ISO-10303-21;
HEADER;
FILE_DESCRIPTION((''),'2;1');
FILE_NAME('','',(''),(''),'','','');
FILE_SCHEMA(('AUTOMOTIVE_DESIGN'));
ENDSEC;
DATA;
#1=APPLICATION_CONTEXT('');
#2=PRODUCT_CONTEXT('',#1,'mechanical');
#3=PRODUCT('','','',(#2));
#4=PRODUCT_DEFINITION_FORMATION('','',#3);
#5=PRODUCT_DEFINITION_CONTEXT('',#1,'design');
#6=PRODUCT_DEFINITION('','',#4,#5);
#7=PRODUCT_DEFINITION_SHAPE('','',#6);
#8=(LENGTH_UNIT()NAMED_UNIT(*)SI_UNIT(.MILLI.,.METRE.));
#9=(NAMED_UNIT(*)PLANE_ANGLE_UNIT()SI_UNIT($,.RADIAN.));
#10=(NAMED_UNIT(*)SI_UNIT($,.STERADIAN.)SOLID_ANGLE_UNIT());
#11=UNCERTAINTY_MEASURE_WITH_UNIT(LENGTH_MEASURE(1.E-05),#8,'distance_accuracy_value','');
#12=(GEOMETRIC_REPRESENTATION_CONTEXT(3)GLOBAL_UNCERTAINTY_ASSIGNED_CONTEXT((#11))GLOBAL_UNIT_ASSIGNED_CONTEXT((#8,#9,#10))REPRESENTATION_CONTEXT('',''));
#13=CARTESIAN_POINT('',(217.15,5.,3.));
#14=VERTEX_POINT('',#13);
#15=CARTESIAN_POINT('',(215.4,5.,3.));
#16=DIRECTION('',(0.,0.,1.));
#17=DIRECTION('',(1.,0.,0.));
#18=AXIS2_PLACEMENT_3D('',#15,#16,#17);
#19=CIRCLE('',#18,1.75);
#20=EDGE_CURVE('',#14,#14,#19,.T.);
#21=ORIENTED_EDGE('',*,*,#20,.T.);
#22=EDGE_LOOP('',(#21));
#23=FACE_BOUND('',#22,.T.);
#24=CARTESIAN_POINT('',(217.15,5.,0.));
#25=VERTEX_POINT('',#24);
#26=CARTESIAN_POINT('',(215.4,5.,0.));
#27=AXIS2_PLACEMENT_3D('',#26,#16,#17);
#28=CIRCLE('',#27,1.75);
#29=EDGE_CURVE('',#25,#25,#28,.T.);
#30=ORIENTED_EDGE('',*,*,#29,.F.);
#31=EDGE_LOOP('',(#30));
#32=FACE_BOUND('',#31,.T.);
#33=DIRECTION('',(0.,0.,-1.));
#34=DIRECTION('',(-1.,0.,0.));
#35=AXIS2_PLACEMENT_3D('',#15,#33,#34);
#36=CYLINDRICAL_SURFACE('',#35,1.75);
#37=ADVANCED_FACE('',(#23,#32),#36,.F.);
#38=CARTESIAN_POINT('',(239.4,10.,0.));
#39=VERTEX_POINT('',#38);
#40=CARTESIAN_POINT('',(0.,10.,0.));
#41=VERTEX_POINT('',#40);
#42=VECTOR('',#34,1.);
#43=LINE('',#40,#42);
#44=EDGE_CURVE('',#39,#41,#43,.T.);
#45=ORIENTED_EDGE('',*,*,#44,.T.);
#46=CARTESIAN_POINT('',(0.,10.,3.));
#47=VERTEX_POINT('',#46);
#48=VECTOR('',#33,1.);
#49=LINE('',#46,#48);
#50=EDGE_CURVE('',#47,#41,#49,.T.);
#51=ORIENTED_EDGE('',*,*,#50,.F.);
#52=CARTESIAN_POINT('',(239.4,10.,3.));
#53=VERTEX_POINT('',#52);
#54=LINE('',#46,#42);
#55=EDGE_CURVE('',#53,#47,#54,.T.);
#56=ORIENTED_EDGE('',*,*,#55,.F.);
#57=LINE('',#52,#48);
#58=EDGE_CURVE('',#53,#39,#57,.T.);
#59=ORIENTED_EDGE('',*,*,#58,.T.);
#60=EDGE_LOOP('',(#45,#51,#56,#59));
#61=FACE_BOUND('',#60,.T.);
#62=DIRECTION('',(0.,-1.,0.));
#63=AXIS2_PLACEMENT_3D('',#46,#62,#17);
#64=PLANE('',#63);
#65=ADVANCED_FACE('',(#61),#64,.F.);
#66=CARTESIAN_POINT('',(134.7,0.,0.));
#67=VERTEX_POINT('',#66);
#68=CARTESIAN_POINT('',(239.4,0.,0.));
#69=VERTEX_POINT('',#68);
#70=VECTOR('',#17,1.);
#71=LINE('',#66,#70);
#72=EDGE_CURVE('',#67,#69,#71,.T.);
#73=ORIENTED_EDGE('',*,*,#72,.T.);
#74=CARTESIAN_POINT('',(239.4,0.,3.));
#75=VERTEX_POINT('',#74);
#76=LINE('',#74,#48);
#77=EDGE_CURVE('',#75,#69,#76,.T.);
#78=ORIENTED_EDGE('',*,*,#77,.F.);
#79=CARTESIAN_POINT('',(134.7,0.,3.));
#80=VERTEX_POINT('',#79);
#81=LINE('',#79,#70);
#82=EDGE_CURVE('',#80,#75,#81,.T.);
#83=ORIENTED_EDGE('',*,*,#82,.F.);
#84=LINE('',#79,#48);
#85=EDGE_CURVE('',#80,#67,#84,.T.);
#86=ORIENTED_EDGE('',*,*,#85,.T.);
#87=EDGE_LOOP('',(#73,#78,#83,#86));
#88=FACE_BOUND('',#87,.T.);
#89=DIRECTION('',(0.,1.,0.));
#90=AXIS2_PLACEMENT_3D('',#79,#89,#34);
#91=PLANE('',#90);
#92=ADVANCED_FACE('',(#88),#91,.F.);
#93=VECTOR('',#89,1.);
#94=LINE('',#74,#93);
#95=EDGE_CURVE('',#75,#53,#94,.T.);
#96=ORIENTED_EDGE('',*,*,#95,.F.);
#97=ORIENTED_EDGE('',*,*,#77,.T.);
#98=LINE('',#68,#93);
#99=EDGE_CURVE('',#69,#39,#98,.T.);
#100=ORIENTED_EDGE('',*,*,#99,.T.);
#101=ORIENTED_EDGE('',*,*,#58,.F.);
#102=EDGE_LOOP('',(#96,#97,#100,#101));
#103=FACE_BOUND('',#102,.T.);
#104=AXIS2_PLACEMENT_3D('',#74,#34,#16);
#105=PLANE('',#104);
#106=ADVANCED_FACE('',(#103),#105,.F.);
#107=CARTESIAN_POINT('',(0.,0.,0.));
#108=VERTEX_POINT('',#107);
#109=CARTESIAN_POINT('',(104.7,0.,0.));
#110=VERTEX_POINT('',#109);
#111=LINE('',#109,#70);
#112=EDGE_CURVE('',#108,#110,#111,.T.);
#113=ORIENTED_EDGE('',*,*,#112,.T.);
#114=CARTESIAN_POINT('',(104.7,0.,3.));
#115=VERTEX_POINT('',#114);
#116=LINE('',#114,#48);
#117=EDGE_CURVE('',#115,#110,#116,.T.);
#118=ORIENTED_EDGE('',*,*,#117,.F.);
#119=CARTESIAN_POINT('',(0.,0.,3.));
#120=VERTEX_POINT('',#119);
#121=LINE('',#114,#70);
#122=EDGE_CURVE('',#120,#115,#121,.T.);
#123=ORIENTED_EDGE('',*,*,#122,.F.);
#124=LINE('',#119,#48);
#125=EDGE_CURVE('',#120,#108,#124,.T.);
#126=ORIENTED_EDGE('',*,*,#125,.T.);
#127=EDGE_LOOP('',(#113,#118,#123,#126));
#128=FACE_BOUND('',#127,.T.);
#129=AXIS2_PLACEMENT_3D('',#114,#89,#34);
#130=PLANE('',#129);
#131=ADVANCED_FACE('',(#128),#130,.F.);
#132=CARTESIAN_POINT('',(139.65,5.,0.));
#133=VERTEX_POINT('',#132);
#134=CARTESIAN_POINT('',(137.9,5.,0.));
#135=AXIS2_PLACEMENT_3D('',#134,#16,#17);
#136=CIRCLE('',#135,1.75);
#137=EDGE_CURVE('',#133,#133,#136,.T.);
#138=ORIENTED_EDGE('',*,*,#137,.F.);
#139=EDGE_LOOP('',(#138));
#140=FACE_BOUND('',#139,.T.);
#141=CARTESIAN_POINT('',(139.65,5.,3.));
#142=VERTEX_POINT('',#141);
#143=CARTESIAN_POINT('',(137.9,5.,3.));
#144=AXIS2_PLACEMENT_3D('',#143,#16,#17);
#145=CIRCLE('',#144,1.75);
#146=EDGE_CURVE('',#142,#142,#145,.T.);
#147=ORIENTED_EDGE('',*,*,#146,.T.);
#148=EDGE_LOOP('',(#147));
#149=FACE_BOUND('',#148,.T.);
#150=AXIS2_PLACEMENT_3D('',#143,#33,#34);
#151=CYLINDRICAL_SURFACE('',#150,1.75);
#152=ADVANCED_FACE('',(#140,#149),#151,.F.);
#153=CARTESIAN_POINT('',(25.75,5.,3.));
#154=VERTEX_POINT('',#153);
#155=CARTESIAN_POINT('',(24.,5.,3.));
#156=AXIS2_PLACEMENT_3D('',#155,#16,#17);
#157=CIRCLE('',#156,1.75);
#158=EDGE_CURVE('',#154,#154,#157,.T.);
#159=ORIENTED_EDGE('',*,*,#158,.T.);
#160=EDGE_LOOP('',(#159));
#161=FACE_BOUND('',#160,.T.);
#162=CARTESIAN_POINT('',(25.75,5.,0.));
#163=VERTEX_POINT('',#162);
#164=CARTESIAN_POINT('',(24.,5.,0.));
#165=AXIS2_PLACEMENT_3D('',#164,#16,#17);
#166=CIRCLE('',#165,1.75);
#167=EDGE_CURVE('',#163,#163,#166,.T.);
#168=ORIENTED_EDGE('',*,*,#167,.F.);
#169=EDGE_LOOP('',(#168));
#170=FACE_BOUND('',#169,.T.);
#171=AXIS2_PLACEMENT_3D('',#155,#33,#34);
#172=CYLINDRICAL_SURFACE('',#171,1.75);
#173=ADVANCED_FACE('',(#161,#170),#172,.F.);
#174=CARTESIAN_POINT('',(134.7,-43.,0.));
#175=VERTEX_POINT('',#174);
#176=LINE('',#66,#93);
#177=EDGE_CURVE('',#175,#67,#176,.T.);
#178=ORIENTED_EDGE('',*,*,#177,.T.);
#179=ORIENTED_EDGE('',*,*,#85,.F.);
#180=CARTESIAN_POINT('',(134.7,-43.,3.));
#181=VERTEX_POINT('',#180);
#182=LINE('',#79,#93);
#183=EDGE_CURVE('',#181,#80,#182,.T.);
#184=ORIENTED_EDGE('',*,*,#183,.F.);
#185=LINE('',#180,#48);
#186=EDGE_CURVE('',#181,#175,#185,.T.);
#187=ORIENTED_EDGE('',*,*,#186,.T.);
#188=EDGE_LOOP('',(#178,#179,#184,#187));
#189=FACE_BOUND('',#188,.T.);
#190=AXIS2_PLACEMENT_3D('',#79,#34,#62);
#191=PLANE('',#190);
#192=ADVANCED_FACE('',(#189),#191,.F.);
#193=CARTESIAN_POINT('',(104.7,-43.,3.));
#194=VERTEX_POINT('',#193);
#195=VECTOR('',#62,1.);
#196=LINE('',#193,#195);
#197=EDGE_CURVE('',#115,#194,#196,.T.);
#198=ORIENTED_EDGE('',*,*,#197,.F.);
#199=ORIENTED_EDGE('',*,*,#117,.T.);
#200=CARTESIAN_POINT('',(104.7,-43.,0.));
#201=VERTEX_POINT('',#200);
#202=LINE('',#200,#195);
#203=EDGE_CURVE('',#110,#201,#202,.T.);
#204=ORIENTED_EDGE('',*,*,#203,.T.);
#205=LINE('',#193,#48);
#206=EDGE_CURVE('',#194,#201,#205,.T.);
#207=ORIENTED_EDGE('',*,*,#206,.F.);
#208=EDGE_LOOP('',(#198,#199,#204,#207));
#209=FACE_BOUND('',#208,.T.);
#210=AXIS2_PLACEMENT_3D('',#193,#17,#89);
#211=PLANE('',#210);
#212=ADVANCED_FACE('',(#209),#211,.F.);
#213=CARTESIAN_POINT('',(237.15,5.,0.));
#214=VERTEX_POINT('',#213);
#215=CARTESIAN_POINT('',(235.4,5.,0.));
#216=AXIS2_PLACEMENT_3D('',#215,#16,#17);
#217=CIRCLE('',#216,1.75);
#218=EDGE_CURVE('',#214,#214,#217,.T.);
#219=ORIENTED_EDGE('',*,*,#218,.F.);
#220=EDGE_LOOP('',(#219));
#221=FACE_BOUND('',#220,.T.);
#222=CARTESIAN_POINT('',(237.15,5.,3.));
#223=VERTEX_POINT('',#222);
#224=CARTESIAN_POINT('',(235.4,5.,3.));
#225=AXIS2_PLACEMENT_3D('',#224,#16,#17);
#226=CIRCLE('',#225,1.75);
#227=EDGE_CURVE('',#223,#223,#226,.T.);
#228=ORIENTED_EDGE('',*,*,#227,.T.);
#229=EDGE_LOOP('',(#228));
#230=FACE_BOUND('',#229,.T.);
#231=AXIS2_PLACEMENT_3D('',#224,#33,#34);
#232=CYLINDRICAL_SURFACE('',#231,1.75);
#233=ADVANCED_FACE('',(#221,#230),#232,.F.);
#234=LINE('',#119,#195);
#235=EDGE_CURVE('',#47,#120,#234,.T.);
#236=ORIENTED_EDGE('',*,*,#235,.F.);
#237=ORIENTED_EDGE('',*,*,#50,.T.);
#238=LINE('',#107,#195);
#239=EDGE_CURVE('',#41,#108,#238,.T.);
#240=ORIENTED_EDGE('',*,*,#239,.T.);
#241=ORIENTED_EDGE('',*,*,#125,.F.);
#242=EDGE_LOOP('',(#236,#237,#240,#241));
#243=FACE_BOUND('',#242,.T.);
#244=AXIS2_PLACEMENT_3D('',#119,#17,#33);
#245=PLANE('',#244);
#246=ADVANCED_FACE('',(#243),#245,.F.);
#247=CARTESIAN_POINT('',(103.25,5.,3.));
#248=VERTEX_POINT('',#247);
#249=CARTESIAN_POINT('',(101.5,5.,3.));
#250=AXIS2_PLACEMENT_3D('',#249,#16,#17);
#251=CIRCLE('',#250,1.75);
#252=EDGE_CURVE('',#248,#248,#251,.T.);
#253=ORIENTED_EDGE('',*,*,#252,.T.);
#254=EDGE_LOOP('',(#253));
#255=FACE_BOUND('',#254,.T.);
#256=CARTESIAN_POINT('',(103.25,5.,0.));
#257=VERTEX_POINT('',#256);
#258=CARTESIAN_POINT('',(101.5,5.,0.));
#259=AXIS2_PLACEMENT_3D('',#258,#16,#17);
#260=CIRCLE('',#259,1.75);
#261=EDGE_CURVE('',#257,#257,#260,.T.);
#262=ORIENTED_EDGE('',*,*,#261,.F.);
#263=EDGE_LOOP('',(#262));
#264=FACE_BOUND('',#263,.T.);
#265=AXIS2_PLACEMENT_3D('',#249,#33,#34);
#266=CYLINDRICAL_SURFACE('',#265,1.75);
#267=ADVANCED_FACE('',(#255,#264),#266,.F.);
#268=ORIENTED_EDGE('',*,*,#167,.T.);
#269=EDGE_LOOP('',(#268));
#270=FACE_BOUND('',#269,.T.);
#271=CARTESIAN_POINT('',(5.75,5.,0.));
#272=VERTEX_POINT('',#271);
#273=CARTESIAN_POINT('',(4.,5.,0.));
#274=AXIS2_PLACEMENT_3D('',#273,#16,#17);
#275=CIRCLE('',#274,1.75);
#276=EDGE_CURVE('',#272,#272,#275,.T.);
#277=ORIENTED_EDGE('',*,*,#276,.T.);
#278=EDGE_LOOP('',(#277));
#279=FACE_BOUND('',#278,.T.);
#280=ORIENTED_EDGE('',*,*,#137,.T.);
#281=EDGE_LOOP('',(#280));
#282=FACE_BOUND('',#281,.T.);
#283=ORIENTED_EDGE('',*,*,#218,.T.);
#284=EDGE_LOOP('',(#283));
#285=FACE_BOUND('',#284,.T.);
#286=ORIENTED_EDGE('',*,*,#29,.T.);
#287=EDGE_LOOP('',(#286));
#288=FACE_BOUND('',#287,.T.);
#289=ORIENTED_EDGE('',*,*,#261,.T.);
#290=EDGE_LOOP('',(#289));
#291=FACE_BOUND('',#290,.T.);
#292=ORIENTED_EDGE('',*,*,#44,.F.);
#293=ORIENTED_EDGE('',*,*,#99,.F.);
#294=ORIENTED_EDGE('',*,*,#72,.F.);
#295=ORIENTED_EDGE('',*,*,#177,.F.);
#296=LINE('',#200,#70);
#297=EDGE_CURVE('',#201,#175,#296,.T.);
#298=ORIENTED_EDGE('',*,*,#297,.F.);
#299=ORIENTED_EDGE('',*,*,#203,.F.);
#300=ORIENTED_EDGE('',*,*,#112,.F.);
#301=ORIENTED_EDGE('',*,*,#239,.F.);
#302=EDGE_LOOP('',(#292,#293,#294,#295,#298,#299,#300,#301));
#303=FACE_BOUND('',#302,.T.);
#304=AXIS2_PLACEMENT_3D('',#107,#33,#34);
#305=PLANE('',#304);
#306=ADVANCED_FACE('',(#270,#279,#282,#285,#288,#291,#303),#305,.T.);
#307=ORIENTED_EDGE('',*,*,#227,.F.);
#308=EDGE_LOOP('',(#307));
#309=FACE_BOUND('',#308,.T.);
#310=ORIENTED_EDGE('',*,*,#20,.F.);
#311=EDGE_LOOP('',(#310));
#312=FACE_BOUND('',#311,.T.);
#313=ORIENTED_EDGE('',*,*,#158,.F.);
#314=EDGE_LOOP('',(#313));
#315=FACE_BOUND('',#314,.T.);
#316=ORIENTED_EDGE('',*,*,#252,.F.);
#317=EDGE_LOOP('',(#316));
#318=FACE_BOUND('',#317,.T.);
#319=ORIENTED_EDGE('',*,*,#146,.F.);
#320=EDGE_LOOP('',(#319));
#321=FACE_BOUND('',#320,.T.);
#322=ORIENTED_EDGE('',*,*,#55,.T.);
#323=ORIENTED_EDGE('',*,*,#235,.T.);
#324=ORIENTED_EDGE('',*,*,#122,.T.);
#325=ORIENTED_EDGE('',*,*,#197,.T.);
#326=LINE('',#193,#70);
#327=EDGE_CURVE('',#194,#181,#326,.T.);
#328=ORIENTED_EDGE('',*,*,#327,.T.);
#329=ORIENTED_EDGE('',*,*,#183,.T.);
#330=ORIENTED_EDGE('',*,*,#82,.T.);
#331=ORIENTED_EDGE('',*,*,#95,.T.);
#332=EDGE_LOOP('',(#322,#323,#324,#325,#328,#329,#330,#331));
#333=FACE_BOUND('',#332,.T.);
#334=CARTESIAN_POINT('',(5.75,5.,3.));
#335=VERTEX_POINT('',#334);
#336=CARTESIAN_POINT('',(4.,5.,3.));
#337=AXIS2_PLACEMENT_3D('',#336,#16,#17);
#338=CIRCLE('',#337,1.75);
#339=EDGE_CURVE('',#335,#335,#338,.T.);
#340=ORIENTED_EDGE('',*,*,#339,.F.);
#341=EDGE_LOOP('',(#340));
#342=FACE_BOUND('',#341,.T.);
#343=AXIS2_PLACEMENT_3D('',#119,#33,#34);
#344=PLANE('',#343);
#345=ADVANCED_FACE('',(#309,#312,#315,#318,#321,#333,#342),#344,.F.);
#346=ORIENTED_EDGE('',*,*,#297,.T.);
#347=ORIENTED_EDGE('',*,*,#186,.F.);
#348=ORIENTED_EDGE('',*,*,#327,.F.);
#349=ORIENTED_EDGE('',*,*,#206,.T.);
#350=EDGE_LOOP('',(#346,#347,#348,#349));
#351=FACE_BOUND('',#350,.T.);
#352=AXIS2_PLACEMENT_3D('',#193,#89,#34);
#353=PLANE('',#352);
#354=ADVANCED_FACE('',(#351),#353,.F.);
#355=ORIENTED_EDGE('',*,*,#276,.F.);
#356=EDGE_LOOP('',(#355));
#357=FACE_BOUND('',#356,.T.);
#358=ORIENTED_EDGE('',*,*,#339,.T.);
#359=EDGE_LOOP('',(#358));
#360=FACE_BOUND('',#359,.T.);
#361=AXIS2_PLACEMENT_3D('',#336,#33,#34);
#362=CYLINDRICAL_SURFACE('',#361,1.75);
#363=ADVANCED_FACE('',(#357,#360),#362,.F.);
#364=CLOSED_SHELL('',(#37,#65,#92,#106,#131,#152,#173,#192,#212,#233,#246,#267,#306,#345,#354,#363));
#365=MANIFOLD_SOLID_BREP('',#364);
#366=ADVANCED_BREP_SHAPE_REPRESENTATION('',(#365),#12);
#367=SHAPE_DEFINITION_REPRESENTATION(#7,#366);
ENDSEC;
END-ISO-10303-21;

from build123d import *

# Parameters (mm, degrees)
SKETCH1_R           = 1.75
BOSS_EXTRUDE1_DEPTH = 3


with BuildPart() as part:
    # Sketch1 → Boss-Extrude1 (new body)
    with BuildSketch(Plane.XY):
        Polygon((0, 0), (0, 10), (239.4, 10), (239.4, 0), (134.7, 0), (134.7, -43), (104.7, -43), (104.7, 0), align=None)
        with Locations((4, 5)):
            Circle(SKETCH1_R, mode=Mode.SUBTRACT)
        with Locations((24, 5)):
            Circle(SKETCH1_R, mode=Mode.SUBTRACT)
        with Locations((235.4, 5)):
            Circle(SKETCH1_R, mode=Mode.SUBTRACT)
        with Locations((215.4, 5)):
            Circle(SKETCH1_R, mode=Mode.SUBTRACT)
        with Locations((101.5, 5)):
            Circle(SKETCH1_R, mode=Mode.SUBTRACT)
        with Locations((137.9, 5)):
            Circle(SKETCH1_R, mode=Mode.SUBTRACT)
    extrude(amount=BOSS_EXTRUDE1_DEPTH)


solid = part.part
